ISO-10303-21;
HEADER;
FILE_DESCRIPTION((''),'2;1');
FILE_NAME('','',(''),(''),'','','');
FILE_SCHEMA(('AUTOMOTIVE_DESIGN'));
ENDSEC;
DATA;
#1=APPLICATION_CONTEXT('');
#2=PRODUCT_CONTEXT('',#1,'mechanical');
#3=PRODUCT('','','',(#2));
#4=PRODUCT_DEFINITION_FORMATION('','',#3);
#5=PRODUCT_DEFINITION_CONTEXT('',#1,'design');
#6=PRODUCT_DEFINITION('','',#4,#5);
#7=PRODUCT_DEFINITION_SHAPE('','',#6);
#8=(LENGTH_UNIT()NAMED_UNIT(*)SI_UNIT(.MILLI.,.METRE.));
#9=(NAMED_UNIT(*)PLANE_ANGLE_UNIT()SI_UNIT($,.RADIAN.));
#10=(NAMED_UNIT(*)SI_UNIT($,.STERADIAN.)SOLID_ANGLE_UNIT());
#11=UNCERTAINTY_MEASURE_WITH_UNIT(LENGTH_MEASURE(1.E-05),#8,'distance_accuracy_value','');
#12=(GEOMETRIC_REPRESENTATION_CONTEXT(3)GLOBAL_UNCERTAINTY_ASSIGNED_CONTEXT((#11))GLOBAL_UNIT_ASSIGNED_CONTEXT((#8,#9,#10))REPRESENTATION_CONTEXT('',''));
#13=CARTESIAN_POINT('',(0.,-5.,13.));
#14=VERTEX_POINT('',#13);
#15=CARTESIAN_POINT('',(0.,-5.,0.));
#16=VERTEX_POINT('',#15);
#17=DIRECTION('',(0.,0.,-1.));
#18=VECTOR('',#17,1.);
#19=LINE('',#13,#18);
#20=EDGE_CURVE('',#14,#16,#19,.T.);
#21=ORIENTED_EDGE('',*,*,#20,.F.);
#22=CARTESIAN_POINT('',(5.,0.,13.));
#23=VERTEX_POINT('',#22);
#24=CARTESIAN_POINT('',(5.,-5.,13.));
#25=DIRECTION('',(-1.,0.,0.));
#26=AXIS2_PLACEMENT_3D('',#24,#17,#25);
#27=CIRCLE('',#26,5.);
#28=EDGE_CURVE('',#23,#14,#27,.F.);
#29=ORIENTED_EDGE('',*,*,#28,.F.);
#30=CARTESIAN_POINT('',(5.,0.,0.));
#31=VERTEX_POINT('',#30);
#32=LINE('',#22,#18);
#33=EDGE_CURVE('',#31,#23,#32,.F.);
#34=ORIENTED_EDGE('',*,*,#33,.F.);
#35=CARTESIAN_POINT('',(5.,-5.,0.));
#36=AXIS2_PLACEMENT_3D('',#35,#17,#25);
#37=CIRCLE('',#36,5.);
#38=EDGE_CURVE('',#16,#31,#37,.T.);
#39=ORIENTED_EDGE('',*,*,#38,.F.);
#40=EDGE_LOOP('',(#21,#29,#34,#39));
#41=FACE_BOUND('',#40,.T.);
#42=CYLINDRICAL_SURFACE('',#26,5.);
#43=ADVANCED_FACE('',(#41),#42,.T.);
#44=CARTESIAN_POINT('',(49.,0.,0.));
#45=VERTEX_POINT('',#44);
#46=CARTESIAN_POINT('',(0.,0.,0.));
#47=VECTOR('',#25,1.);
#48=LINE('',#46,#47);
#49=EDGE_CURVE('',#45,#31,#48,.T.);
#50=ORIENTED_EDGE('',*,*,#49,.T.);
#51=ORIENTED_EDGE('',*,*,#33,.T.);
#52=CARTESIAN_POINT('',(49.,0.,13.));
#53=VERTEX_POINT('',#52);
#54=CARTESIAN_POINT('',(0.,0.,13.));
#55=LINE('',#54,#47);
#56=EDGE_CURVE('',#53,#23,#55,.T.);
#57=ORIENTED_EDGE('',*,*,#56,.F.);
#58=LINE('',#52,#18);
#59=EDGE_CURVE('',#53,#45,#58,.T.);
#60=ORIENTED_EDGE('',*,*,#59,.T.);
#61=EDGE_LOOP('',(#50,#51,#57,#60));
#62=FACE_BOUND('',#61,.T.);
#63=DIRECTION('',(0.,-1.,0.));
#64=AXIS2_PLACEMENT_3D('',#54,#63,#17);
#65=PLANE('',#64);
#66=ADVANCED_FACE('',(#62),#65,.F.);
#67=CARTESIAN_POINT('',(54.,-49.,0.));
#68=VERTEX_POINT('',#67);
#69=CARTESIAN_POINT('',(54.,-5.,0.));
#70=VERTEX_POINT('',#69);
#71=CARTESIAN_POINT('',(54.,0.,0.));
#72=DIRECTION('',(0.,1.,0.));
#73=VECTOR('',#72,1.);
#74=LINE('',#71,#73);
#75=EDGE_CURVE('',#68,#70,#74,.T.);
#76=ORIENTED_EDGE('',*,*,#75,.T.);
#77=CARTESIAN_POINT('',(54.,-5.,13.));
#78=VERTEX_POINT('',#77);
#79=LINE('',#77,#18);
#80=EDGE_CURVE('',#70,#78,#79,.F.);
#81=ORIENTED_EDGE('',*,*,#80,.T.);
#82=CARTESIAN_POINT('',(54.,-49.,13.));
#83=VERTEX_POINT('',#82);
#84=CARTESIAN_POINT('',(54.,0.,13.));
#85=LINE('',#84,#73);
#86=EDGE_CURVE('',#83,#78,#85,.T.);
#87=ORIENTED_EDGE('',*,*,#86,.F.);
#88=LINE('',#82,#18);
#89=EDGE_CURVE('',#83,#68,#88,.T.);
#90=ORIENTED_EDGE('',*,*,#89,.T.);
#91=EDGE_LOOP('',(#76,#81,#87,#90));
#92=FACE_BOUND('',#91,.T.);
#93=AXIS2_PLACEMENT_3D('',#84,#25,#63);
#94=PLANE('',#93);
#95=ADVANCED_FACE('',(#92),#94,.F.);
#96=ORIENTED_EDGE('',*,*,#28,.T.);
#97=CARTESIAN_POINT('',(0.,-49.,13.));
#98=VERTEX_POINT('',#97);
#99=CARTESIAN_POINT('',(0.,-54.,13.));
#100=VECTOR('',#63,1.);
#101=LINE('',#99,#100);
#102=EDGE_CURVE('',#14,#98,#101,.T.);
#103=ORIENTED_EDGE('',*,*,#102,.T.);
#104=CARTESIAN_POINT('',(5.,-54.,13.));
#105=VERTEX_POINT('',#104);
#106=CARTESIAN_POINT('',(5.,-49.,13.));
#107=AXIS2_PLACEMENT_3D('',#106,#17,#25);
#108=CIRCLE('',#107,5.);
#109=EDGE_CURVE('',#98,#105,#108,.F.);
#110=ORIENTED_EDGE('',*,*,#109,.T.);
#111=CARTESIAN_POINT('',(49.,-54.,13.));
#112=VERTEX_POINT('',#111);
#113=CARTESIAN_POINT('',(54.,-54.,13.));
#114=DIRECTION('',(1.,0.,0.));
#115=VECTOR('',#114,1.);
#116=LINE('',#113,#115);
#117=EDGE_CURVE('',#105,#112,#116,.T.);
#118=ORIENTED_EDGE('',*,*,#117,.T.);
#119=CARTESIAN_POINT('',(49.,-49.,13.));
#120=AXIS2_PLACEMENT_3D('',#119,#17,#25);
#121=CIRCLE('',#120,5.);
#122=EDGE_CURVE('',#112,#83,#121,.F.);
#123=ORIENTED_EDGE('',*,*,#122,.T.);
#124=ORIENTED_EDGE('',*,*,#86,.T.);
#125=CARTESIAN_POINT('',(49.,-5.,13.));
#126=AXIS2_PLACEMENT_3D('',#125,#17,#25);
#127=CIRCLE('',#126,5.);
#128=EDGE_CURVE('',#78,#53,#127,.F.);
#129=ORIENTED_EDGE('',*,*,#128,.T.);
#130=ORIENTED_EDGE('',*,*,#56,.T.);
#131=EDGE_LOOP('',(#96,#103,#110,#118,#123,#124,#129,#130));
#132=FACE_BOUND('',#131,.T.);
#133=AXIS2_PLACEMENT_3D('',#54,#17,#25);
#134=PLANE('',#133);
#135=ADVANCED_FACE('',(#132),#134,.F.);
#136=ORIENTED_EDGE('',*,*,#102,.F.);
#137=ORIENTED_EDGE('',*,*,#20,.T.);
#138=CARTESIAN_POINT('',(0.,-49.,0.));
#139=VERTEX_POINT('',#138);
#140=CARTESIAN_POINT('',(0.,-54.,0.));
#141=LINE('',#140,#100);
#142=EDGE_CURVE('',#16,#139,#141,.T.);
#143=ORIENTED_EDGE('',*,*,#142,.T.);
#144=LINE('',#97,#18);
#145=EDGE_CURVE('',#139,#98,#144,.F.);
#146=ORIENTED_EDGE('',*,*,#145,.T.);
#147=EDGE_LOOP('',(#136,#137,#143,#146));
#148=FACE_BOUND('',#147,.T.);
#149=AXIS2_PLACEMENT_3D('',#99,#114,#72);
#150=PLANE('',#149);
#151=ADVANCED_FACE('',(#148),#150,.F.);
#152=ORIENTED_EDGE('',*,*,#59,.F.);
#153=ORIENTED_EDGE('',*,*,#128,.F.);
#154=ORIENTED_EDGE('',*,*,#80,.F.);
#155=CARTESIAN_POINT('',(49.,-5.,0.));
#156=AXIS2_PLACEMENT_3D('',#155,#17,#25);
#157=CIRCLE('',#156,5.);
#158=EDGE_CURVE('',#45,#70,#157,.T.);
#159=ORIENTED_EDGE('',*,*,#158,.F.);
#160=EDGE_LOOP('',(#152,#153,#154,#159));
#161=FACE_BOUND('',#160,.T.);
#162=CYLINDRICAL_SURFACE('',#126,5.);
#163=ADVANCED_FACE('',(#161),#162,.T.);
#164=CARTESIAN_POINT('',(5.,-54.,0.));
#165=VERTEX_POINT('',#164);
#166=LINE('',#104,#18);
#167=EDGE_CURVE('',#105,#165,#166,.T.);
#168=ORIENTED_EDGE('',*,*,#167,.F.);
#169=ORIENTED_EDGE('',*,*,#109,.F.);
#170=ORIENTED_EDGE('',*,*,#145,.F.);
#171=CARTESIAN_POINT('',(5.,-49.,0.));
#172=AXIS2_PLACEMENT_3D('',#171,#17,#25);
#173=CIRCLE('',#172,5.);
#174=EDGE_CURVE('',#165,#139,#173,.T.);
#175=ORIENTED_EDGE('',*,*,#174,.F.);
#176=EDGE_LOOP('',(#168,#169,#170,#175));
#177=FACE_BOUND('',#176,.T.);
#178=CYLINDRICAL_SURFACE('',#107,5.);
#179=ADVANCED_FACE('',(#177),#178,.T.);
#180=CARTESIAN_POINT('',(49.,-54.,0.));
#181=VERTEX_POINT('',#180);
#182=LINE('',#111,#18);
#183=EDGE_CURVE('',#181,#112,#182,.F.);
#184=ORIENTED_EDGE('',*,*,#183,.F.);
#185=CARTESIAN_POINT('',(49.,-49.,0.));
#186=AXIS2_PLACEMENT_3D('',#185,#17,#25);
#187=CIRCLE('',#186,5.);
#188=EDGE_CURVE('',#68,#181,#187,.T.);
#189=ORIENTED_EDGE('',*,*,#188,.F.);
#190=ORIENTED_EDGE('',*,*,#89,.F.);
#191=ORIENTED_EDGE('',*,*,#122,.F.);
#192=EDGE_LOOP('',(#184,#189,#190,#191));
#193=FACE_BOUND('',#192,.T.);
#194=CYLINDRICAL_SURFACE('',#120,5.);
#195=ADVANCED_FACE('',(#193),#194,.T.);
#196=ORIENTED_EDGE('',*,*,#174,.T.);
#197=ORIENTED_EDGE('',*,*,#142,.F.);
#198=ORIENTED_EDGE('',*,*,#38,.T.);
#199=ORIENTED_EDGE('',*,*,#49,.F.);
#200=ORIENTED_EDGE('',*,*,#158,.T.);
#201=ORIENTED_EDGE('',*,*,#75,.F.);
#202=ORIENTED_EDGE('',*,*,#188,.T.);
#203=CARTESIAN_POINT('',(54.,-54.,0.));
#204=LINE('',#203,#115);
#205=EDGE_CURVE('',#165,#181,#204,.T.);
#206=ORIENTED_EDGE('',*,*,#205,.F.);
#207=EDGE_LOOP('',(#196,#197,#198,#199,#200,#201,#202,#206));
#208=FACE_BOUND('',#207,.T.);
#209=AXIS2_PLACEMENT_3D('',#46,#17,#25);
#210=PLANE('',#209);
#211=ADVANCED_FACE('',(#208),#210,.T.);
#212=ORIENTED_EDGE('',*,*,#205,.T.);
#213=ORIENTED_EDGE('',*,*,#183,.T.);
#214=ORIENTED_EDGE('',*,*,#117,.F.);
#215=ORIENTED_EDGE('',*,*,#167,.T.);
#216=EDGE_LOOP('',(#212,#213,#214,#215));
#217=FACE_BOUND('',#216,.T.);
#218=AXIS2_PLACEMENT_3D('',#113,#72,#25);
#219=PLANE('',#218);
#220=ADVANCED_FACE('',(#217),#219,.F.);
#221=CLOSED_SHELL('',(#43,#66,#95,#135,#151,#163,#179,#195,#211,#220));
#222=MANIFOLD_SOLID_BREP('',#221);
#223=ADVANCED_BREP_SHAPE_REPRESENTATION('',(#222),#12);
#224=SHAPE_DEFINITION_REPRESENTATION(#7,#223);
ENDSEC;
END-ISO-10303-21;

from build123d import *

# Parameters (mm, degrees)
ESQUISSE1_W        = 54
ESQUISSE1_H        = 54
BOSS_EXTRU_1_DEPTH = 13
CONG_2_R           = 5


with BuildPart() as part:
    # Esquisse1 → Boss.-Extru.1 (new body)
    with BuildSketch(Plane.XY):
        with Locations((27, -27)):
            Rectangle(ESQUISSE1_W, ESQUISSE1_H)
    extrude(amount=BOSS_EXTRU_1_DEPTH)

    # Congé2
    cong_2_edges = [part.edges().sort_by_distance(p)[0] for p in [
        (0, 0, 6.5),
        (54, 0, 6.5),
        (54, -54, 6.5),
        (0, -54, 6.5),
    ]]
    fillet(cong_2_edges, radius=CONG_2_R)


solid = part.part
